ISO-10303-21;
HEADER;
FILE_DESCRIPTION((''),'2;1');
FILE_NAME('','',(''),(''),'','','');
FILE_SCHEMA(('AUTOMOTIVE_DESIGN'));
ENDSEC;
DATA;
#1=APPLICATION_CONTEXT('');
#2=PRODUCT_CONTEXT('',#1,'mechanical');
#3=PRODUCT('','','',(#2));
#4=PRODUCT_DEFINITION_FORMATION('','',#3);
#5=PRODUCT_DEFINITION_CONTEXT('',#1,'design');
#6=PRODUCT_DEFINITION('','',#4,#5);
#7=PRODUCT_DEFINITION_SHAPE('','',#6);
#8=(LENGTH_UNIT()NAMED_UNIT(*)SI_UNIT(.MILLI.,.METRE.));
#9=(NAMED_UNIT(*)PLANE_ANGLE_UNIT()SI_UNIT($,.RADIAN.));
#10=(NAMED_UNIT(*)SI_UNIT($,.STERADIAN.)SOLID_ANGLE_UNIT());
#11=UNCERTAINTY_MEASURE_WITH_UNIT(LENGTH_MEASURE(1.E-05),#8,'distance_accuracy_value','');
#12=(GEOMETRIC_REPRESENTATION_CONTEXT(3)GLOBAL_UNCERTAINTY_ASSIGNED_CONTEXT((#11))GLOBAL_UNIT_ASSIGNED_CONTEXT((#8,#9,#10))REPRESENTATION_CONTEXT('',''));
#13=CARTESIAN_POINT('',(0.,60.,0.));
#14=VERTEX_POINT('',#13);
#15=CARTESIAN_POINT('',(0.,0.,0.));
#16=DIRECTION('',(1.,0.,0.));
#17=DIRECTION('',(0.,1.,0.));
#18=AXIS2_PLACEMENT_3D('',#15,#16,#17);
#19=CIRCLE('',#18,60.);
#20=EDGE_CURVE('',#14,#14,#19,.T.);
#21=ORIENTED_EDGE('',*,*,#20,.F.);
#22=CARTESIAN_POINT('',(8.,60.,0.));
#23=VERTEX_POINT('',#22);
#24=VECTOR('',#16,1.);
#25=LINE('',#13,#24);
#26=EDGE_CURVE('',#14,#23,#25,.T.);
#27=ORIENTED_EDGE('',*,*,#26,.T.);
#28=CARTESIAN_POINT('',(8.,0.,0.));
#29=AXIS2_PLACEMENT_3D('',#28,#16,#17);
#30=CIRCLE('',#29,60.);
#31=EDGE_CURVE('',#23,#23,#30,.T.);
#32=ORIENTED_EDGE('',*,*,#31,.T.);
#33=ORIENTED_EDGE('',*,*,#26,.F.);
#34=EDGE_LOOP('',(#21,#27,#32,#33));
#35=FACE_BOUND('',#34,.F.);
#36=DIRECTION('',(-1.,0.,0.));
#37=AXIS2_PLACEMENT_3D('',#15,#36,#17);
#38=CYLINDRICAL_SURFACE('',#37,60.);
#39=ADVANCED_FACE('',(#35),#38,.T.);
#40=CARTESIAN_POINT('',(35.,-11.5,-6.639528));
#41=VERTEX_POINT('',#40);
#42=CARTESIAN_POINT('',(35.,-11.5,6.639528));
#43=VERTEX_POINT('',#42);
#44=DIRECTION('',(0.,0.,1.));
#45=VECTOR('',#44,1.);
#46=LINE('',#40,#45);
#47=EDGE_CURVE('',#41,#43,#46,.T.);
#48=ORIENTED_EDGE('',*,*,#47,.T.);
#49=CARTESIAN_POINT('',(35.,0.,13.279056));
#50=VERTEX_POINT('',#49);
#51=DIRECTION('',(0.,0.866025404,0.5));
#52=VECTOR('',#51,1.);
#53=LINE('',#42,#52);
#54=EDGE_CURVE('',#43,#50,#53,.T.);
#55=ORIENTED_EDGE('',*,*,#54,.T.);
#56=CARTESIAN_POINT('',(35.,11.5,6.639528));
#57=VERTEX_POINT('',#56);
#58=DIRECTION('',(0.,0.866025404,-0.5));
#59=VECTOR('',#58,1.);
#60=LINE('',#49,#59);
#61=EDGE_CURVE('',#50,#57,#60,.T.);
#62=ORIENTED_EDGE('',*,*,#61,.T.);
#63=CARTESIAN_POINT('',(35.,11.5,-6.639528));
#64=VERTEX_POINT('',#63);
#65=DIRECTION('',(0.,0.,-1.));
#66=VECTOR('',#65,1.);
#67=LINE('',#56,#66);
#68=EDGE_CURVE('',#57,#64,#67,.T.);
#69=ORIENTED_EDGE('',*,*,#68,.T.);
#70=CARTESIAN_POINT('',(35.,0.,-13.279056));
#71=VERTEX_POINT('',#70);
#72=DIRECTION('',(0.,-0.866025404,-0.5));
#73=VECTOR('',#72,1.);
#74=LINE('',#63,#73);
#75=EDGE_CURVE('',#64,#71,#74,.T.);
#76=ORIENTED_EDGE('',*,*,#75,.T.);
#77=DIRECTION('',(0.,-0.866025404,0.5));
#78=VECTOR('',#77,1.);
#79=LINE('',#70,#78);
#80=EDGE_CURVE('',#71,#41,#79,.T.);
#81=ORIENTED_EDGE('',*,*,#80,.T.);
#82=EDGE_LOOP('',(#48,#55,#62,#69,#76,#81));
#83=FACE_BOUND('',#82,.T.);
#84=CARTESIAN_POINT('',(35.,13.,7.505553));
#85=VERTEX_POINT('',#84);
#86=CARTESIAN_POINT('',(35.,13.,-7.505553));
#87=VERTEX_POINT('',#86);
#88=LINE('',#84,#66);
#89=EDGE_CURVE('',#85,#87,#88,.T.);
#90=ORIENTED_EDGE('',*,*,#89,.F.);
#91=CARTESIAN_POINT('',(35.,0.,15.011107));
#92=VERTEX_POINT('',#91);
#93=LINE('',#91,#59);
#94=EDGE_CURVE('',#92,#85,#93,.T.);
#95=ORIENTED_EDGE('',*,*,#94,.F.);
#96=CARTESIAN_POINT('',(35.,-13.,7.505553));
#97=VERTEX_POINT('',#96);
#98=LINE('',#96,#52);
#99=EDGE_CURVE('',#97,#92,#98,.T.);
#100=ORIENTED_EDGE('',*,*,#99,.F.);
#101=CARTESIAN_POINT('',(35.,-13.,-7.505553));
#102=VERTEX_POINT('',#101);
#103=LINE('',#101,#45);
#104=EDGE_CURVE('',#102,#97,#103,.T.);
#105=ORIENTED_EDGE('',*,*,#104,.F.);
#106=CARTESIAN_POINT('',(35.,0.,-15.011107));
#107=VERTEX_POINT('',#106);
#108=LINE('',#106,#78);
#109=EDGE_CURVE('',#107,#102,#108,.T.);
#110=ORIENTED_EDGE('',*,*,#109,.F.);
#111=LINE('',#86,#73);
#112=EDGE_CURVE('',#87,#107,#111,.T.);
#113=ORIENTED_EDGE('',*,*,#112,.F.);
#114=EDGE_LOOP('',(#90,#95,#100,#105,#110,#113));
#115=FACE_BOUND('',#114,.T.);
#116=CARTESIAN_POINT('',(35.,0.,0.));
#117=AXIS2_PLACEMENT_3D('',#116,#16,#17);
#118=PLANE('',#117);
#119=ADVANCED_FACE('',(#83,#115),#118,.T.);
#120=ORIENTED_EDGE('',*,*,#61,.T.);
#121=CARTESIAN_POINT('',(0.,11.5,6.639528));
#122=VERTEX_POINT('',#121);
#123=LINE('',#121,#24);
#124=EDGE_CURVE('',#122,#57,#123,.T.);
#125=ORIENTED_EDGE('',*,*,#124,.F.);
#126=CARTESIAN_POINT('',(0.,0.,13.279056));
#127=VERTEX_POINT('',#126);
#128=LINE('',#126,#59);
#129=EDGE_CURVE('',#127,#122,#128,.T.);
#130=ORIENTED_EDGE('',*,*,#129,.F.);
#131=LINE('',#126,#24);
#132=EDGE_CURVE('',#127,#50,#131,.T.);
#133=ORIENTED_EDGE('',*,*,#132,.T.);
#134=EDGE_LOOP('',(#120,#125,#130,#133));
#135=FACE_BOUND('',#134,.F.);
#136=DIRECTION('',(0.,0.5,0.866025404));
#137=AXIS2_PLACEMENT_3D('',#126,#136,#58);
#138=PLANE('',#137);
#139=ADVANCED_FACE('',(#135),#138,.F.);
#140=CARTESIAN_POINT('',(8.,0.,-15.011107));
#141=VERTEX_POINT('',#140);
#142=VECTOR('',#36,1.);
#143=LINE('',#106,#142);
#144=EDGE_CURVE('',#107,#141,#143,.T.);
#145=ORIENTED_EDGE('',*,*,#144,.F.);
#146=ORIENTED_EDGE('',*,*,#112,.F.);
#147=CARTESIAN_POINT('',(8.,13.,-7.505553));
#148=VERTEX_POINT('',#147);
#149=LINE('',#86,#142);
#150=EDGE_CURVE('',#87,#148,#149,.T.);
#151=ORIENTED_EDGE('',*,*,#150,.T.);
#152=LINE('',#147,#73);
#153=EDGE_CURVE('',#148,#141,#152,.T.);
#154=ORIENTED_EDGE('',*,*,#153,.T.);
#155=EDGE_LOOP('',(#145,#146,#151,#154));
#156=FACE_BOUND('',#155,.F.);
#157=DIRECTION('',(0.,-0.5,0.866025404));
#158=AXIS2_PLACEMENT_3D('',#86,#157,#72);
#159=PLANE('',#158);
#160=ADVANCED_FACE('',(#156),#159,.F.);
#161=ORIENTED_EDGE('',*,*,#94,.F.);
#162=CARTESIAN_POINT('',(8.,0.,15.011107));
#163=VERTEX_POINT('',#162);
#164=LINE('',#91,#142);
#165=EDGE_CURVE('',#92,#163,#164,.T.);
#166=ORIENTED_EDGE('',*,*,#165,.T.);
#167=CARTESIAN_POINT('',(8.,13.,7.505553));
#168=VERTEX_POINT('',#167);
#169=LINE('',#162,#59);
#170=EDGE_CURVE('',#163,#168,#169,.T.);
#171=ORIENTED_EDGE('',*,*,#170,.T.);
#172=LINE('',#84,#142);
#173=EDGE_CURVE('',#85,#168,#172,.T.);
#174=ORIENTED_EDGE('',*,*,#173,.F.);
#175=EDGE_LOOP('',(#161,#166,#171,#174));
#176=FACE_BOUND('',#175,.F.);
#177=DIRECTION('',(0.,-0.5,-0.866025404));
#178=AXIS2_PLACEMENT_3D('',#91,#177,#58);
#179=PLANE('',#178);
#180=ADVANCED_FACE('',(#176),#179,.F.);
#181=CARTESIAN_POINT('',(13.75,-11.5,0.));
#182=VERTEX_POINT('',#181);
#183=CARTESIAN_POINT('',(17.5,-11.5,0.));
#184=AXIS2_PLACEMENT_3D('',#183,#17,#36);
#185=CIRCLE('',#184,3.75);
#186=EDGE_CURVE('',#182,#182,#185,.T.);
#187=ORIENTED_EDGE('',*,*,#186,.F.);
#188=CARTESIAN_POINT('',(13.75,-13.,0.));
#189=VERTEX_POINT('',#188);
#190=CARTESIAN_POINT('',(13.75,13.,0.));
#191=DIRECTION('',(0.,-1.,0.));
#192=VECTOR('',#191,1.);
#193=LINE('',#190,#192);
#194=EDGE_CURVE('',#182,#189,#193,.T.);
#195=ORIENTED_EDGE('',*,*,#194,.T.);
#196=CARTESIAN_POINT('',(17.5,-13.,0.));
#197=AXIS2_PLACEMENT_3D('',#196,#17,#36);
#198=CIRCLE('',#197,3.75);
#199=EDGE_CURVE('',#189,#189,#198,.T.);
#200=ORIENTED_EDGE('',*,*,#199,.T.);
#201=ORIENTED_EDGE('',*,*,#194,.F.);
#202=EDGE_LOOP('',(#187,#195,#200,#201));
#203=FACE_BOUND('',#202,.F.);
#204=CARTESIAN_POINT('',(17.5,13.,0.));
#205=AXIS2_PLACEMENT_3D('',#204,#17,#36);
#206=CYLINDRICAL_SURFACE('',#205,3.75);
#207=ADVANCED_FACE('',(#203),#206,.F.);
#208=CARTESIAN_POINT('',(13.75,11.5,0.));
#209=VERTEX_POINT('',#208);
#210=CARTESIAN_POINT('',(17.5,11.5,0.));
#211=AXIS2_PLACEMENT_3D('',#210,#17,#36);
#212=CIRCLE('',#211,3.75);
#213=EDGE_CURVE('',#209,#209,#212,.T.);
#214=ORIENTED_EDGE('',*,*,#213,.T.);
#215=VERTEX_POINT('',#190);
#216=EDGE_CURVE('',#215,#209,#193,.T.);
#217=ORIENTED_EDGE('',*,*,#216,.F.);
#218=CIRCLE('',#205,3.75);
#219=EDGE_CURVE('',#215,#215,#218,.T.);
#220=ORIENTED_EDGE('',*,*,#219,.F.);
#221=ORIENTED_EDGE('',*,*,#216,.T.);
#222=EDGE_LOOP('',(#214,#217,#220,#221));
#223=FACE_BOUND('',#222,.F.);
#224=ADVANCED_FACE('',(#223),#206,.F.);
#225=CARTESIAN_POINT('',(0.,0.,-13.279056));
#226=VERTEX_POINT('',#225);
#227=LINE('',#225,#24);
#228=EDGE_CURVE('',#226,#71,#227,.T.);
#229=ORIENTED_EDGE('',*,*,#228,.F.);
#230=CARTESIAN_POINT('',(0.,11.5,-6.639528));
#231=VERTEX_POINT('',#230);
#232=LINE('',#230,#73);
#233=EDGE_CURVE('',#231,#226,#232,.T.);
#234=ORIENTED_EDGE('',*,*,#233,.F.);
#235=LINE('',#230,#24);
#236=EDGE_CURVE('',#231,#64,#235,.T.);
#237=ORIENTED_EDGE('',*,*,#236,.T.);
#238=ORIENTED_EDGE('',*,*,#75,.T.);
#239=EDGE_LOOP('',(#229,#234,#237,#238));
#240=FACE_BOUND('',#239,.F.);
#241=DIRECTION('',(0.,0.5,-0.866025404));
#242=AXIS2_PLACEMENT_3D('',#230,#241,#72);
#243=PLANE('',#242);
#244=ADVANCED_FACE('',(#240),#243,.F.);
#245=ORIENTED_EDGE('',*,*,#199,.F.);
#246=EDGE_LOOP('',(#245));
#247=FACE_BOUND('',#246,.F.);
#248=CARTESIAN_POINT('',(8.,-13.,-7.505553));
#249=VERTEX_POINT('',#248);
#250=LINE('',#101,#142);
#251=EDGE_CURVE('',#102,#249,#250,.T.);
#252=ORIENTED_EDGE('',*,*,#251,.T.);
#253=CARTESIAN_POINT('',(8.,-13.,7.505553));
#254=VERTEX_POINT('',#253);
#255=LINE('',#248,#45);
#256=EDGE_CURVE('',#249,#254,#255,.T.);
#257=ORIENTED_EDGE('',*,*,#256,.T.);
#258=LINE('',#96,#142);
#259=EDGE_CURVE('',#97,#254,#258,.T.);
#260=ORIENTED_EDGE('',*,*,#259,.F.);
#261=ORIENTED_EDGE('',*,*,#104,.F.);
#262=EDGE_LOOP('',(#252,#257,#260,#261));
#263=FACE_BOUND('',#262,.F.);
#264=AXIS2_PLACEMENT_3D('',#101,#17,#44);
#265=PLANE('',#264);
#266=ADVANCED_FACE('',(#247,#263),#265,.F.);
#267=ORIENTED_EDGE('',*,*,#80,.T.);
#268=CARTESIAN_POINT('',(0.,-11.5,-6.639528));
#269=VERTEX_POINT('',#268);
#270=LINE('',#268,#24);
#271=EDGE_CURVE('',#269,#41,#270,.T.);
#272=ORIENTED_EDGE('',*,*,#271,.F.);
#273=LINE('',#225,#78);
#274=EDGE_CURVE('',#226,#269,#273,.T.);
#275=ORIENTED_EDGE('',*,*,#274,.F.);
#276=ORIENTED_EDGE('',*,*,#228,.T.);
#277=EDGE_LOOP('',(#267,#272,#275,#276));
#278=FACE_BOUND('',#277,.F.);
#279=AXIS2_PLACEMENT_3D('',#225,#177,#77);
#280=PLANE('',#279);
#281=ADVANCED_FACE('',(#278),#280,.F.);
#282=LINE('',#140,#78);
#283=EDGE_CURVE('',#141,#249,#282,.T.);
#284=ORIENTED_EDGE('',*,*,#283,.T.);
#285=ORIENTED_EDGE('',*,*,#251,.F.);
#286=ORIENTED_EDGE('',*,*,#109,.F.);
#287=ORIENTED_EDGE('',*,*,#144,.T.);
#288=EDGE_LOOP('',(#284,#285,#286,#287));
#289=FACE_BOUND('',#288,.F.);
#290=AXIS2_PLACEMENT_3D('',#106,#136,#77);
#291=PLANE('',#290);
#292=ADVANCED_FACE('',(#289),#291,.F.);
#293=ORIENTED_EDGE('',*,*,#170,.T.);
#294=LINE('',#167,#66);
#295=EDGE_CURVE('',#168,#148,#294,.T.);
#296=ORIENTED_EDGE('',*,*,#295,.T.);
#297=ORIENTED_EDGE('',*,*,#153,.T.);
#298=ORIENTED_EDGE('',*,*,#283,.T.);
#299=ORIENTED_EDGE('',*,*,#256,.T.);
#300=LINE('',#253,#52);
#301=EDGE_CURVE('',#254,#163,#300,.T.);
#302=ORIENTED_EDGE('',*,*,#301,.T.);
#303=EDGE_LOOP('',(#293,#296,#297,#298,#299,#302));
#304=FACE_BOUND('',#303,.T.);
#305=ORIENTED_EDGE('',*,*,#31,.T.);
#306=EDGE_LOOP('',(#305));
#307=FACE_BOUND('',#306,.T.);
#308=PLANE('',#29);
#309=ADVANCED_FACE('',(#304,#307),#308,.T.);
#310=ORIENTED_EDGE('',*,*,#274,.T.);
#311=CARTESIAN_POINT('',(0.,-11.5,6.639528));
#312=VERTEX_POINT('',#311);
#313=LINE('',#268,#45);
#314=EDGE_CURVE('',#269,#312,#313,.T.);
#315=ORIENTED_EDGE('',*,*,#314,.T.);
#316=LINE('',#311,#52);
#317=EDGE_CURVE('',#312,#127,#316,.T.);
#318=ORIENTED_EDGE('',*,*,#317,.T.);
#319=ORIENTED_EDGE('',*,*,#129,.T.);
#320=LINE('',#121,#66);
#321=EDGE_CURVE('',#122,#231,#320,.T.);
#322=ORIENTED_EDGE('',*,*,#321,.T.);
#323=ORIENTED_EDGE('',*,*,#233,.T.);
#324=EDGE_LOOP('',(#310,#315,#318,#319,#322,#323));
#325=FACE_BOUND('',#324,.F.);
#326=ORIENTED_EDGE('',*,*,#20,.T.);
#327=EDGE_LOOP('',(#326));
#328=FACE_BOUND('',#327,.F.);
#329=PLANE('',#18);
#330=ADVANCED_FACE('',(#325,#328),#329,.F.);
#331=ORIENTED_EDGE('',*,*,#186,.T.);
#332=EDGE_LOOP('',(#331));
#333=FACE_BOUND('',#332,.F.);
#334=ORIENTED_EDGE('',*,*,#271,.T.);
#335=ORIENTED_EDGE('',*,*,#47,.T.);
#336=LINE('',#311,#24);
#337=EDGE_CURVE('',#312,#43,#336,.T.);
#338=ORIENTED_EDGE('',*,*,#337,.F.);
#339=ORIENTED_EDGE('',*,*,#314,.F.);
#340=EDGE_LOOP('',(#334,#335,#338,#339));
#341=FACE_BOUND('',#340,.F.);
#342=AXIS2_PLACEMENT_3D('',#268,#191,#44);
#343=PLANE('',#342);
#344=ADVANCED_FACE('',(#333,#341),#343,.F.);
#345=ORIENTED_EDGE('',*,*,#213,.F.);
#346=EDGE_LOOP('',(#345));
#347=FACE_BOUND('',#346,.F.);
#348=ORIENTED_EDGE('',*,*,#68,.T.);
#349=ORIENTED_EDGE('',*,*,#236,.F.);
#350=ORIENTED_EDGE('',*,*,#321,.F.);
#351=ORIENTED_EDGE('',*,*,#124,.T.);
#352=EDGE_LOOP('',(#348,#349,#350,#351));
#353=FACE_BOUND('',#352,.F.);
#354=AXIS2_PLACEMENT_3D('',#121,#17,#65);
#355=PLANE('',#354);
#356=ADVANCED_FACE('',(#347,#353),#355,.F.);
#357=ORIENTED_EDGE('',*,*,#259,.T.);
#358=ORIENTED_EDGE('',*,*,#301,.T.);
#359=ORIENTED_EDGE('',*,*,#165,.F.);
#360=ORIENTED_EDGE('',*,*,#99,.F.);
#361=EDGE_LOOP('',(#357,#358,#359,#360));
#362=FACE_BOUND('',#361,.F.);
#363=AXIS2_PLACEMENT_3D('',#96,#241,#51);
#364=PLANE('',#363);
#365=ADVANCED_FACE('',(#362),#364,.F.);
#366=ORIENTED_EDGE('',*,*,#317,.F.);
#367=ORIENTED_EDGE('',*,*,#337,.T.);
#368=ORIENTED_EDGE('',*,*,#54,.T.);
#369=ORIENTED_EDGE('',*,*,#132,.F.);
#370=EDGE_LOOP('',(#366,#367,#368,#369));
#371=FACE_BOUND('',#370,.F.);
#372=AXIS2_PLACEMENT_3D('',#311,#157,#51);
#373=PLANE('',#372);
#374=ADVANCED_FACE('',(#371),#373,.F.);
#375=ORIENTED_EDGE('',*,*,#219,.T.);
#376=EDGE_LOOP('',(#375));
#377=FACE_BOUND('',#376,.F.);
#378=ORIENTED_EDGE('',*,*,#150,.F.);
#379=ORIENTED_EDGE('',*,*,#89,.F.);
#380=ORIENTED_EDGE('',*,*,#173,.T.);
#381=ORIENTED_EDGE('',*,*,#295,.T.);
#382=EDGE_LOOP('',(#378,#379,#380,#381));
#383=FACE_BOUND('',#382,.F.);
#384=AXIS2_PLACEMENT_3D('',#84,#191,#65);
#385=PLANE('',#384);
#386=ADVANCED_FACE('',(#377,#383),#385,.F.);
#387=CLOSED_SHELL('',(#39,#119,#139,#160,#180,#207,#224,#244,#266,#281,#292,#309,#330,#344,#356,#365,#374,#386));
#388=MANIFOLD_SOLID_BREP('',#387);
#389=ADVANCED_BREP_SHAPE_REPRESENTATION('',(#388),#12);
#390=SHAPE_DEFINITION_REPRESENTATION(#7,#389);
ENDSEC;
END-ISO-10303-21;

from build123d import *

# Parameters (mm, degrees)
F0_R     = 60
F1_DEPTH = 35
F2_R     = 60
F3_DEPTH = 27
F4_R     = 3.75
F5_DEPTH = 44.75074


with BuildPart() as f1:
    # F0 (on Right) → F1 (new body)
    with BuildSketch(Plane.YZ):
        Circle(F0_R)
        Polygon((0, 13.2790561914), (11.5, 6.6395280957), (11.5, -6.6395280957), (0, -13.2790561914), (-11.5, -6.6395280957), (-11.5, 6.6395280957), align=None, mode=Mode.SUBTRACT)
    extrude(amount=F1_DEPTH)

    # F2 (on face) → F3 (cut)
    with BuildSketch(Plane.YZ.offset(35)):
        Circle(F2_R)
        Polygon((0, 15.0111069989), (13, 7.5055534995), (13, -7.5055534995), (0, -15.0111069989), (-13, -7.5055534995), (-13, 7.5055534995), align=None, mode=Mode.SUBTRACT)
    extrude(amount=-F3_DEPTH, mode=Mode.SUBTRACT)

    # F4 (on face) → F5 (cut)
    with BuildSketch(Plane(origin=(0, 13, 0), x_dir=(-1, 0, 0), z_dir=(0, 1, 0))):
        with Locations((-17.5, 0)):
            Circle(F4_R)
    extrude(amount=-F5_DEPTH, mode=Mode.SUBTRACT)


solid = f1.part
